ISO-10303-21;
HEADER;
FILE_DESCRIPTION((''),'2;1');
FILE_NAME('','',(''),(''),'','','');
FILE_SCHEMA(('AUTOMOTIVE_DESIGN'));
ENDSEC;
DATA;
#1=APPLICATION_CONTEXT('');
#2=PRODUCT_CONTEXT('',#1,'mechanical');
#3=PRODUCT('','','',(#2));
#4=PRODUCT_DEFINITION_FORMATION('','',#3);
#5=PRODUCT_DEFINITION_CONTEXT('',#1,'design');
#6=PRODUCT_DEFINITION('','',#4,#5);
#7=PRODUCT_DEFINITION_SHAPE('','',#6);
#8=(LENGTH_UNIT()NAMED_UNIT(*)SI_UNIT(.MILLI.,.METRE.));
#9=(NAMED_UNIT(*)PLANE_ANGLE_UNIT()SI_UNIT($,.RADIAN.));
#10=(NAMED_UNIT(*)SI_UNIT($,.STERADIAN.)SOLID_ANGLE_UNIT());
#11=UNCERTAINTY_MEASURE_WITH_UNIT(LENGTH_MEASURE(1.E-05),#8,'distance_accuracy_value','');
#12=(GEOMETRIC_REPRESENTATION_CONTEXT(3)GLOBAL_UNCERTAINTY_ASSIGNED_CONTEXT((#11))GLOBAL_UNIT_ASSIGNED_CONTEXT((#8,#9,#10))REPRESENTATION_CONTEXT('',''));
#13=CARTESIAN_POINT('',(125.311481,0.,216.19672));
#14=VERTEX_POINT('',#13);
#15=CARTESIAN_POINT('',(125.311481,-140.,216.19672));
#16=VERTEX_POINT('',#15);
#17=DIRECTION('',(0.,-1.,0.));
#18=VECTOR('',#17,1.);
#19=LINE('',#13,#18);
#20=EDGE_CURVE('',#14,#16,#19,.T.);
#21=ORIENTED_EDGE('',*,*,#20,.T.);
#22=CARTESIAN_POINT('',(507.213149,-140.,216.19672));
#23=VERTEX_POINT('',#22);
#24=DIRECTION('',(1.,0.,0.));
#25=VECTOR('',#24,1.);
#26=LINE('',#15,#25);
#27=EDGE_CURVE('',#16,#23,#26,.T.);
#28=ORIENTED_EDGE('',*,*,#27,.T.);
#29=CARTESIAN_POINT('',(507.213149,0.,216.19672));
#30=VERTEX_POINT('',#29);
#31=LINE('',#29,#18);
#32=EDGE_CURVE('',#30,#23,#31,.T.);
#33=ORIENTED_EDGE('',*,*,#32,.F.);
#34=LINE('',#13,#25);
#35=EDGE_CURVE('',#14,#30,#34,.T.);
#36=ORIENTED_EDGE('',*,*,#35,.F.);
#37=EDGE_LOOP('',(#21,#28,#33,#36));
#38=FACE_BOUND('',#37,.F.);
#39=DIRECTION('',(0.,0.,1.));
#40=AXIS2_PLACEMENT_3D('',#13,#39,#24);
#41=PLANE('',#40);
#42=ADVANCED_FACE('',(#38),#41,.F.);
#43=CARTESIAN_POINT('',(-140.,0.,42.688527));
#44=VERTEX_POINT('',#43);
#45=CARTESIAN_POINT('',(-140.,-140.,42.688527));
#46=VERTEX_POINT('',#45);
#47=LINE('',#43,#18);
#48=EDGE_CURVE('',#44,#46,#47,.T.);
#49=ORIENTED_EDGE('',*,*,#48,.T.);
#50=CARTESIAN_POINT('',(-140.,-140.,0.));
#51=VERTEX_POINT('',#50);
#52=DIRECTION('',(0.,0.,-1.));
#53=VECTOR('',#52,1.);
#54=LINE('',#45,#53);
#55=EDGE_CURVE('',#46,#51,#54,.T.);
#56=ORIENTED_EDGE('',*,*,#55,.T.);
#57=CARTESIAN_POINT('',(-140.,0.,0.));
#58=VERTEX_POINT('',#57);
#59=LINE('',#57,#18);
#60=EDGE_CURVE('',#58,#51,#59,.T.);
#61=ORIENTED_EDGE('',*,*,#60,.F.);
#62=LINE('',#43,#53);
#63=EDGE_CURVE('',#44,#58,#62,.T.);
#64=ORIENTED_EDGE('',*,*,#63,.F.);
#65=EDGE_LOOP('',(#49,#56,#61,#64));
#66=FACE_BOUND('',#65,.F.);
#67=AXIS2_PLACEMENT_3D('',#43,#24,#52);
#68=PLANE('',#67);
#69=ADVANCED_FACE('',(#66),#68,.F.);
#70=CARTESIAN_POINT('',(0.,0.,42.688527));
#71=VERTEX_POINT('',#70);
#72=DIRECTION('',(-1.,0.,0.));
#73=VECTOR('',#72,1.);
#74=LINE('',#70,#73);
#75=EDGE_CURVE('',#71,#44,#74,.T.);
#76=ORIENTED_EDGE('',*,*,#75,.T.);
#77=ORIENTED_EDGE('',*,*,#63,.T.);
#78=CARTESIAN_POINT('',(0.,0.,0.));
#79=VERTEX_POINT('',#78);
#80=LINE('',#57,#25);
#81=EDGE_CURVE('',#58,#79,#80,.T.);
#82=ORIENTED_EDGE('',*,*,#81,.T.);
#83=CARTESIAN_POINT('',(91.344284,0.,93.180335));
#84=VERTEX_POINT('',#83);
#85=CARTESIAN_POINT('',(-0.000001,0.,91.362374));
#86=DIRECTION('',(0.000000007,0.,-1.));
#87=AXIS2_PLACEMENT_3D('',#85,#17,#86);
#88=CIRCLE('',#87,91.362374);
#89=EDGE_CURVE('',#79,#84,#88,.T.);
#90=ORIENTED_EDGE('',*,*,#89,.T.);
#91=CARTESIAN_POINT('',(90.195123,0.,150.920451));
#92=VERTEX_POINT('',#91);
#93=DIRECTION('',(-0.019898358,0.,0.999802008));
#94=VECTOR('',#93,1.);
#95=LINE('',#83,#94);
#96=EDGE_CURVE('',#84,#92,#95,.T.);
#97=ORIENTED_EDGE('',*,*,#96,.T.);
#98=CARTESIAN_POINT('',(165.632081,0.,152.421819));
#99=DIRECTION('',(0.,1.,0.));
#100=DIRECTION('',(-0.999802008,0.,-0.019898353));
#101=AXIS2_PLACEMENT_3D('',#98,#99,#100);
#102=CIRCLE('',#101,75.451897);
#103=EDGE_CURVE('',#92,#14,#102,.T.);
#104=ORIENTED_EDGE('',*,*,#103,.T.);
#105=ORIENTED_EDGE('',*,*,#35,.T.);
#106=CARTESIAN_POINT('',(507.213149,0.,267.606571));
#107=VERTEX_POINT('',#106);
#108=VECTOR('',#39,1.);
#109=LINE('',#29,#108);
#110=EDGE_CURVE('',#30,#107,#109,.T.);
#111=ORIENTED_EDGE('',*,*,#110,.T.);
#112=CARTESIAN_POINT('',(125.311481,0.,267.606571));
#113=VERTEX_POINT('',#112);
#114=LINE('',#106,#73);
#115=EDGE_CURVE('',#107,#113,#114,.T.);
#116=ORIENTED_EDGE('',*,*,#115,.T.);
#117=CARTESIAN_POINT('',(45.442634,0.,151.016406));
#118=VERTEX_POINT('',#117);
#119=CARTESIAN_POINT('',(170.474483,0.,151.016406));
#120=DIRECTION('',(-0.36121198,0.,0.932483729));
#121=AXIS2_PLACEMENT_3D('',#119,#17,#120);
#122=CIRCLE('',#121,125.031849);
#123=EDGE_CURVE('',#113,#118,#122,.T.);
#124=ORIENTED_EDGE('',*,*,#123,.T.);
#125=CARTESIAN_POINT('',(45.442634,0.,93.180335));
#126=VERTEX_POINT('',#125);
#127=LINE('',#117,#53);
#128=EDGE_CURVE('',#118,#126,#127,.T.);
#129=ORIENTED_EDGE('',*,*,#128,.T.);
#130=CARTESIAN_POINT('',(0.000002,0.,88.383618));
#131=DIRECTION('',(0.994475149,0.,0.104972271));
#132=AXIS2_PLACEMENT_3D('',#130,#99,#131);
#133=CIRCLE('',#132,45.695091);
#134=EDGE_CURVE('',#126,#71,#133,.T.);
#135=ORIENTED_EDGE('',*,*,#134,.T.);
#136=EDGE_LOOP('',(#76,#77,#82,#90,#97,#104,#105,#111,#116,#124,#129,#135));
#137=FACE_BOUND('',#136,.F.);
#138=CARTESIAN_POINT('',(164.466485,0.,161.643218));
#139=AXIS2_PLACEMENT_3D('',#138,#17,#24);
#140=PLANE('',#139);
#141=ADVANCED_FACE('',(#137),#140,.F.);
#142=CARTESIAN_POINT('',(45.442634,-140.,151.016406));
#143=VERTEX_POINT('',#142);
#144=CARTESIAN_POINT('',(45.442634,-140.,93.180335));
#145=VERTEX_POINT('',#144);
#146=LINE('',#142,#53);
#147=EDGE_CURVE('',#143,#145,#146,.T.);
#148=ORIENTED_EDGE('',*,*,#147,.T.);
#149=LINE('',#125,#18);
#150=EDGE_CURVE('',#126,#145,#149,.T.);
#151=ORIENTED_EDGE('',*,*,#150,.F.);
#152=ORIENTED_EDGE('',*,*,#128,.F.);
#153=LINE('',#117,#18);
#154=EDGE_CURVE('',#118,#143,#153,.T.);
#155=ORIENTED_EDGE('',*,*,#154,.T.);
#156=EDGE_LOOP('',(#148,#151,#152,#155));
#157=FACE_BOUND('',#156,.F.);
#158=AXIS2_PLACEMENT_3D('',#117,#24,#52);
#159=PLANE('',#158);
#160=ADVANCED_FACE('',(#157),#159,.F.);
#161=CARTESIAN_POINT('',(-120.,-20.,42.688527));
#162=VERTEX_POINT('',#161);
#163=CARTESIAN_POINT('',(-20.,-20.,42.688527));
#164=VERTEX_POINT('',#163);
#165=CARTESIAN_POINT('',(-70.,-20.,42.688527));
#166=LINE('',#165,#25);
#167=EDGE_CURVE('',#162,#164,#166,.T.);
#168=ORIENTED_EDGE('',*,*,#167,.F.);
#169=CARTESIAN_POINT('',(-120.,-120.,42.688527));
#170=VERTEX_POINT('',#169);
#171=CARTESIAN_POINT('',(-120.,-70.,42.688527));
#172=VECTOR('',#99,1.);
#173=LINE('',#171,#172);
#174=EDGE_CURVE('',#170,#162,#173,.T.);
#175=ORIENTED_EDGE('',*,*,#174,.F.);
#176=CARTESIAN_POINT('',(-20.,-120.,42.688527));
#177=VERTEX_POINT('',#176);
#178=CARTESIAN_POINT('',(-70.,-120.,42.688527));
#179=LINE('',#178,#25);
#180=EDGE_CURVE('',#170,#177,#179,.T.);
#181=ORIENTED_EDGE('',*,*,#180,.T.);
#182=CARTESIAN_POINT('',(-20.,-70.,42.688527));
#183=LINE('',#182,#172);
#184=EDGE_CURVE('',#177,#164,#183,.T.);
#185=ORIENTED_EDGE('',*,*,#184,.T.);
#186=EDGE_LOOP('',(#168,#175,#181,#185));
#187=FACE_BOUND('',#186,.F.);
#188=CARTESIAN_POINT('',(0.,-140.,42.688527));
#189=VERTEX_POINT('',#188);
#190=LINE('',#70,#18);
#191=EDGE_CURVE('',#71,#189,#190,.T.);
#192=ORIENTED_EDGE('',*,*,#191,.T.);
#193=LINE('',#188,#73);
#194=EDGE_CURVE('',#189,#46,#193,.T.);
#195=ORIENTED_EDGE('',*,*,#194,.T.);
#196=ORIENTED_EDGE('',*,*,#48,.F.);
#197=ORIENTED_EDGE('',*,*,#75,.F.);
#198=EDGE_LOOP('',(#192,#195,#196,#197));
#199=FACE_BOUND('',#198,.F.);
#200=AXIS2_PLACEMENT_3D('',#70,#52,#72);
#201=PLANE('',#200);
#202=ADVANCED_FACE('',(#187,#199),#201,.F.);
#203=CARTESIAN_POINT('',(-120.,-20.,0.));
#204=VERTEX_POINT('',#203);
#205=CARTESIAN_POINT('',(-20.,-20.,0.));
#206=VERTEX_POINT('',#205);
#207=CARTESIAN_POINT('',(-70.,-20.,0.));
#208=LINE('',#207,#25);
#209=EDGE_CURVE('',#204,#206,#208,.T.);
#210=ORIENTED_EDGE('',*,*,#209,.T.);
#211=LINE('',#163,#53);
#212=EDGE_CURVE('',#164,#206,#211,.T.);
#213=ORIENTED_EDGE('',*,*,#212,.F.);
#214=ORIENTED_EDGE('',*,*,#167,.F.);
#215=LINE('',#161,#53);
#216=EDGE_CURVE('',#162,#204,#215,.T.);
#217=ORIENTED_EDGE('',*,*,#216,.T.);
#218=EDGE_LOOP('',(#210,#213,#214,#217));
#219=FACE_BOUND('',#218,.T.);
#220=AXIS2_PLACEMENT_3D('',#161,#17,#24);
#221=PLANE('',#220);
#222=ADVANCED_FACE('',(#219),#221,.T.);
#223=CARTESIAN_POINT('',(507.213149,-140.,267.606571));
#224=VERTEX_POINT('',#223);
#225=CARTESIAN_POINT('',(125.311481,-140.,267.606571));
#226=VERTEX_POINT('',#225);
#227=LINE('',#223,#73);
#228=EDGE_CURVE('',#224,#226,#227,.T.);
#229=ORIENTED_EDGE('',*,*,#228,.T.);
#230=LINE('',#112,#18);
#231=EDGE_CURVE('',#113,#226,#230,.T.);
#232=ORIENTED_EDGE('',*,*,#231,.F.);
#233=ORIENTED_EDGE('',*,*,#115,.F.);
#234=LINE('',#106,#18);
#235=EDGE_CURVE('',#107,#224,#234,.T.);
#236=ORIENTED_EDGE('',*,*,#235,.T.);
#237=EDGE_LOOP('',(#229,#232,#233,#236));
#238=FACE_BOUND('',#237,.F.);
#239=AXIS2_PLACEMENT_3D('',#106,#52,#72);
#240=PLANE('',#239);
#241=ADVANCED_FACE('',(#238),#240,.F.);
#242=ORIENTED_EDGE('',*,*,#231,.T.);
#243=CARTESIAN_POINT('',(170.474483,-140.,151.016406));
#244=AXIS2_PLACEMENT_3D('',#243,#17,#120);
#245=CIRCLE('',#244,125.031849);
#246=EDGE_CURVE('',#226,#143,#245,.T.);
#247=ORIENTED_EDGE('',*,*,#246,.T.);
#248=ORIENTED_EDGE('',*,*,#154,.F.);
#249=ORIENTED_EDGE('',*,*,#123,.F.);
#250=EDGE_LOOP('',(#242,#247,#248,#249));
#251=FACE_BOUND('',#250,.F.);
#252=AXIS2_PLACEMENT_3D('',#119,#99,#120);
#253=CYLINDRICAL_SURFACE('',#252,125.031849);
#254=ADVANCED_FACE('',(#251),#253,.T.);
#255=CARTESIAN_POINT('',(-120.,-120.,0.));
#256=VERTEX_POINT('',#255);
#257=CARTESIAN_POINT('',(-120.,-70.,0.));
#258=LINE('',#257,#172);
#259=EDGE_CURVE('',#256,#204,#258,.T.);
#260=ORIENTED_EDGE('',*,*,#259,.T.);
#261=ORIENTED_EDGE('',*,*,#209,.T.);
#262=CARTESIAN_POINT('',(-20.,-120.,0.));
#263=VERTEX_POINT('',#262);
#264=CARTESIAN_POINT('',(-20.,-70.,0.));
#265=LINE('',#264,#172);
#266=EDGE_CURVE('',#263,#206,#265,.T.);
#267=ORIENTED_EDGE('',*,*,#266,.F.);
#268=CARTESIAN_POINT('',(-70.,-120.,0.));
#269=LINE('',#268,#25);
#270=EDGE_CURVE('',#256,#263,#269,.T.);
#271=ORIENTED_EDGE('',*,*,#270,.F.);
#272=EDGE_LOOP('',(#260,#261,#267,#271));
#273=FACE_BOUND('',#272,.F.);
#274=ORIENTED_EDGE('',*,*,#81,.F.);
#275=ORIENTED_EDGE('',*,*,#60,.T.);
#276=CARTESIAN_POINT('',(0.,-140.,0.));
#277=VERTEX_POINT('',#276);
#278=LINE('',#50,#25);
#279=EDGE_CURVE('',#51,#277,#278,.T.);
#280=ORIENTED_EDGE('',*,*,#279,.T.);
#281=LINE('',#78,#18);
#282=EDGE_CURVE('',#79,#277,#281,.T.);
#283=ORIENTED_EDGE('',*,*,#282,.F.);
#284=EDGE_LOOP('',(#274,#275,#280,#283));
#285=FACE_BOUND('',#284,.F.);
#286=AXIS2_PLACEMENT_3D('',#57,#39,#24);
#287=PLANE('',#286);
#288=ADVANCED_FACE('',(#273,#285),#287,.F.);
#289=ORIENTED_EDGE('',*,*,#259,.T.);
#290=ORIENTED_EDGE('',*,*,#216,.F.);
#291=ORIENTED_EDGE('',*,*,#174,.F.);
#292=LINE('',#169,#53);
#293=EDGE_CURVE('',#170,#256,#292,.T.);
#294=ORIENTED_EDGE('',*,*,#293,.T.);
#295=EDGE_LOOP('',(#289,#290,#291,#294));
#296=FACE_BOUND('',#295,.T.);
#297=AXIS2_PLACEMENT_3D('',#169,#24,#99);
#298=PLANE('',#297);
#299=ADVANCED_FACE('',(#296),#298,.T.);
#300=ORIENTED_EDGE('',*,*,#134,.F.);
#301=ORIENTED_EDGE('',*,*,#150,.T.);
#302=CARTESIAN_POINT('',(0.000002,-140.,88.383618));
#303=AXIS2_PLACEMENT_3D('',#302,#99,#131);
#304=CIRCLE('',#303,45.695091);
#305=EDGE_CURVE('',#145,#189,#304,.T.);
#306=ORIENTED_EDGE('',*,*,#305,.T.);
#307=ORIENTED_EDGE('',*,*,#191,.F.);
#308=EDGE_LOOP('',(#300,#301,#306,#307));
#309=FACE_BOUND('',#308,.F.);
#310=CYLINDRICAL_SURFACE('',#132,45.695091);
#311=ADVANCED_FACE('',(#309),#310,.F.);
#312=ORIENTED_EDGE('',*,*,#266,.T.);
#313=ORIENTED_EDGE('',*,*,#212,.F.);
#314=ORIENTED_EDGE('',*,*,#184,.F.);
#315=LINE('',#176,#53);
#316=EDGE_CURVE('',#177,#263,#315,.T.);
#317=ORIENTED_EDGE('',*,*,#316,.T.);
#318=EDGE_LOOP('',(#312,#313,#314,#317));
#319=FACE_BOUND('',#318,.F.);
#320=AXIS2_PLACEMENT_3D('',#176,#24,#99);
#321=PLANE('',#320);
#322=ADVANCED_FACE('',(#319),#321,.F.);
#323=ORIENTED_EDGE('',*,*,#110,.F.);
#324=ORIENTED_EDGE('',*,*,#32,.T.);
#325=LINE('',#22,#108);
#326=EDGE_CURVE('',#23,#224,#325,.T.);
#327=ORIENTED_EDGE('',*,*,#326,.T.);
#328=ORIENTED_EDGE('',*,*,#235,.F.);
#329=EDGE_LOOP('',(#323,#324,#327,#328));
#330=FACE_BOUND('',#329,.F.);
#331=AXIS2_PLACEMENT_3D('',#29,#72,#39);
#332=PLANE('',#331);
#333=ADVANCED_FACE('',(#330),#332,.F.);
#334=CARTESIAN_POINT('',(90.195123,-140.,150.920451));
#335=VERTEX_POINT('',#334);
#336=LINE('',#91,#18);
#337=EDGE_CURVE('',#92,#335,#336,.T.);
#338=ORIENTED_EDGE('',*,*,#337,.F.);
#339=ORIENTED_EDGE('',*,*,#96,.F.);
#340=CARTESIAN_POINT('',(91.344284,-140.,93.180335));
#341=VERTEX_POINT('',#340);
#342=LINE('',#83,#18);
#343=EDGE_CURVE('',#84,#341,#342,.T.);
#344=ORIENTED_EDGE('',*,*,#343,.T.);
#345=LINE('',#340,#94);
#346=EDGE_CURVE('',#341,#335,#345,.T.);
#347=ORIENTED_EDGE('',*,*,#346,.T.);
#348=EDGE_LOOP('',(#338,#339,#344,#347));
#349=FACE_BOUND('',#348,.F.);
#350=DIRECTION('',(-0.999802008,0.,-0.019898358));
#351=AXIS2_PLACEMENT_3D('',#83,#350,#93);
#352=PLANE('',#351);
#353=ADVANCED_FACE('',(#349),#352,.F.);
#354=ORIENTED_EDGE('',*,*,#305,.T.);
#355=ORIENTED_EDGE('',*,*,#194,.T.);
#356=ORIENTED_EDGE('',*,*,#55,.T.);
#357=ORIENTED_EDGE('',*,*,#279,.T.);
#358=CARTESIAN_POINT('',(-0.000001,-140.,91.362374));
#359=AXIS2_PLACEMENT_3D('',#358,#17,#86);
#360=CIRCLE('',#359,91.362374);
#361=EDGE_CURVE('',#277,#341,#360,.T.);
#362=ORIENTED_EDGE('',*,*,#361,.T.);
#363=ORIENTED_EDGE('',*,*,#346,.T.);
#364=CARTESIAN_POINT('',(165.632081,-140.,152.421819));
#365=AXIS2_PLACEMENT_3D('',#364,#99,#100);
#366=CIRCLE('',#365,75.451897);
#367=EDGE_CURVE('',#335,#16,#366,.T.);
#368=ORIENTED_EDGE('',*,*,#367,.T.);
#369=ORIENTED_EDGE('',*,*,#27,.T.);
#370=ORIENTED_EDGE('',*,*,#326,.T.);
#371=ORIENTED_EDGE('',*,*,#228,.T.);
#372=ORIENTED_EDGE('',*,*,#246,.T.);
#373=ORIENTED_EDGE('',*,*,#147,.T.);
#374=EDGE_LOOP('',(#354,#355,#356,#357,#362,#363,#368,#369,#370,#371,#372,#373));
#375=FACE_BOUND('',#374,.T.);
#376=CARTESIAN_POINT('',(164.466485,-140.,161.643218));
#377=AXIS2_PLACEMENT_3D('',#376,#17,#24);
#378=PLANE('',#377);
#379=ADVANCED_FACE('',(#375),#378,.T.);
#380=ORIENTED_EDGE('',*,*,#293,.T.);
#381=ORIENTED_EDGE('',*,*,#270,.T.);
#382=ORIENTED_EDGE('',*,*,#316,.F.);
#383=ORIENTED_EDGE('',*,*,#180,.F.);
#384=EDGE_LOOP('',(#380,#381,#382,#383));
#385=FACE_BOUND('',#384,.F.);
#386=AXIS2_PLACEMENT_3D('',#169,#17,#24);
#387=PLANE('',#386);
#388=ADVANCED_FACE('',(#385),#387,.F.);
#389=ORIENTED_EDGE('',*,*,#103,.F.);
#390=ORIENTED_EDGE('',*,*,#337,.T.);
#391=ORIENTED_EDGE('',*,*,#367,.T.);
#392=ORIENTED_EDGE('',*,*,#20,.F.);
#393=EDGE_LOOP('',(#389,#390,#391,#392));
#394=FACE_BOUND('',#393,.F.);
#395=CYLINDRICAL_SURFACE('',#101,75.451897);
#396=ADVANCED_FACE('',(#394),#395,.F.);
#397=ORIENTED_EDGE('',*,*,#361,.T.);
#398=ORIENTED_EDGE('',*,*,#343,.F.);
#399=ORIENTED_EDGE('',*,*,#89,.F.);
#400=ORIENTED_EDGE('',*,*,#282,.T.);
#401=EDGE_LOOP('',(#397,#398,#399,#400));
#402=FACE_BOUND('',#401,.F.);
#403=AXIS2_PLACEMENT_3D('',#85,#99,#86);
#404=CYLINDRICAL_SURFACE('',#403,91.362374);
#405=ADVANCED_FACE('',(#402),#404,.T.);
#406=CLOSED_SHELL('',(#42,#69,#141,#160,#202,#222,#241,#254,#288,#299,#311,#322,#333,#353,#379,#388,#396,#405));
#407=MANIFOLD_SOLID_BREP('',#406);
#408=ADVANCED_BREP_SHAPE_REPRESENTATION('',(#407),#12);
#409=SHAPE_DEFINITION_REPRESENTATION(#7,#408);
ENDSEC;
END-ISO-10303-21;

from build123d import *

# Parameters (mm, degrees)
F1_DEPTH = 140
F2_W     = 100
F2_H     = 100
F3_DEPTH = 42.688527


with BuildPart() as f1:
    # F0 (on Front) → F1 (new body)
    with BuildSketch(Plane.XZ):
        with BuildLine():
            Line((0, 42.688527), (-140, 42.688527))
            Line((-140, 42.688527), (-140, 0))
            Line((-140, 0), (0, 0))
            ThreePointArc((0, 0), (65.242534, 27.405396), (91.344284, 93.180335))
            Line((91.344284, 93.180335), (90.195123, 150.920451))
            ThreePointArc((90.195123, 150.920451), (99.185103, 188.167978), (125.311481, 216.19672))
            Line((125.311481, 216.19672), (507.213149, 216.19672))
            Line((507.213149, 216.19672), (507.213149, 267.606571))
            Line((507.213149, 267.606571), (125.311481, 267.606571))
            ThreePointArc((125.311481, 267.606571), (67.324648, 221.678099), (45.442634, 151.016406))
            Line((45.442634, 151.016406), (45.442634, 93.180335))
            ThreePointArc((45.442634, 93.180335), (33.964893, 57.815211), (0, 42.688527))
        make_face()
    extrude(amount=F1_DEPTH)

    # F2 (on face) → F3 (cut, through all)
    with BuildSketch(Plane.XY.offset(42.688527)):
        with Locations((-70, -70)):
            Rectangle(F2_W, F2_H)
    extrude(amount=-F3_DEPTH, mode=Mode.SUBTRACT)


solid = f1.part
